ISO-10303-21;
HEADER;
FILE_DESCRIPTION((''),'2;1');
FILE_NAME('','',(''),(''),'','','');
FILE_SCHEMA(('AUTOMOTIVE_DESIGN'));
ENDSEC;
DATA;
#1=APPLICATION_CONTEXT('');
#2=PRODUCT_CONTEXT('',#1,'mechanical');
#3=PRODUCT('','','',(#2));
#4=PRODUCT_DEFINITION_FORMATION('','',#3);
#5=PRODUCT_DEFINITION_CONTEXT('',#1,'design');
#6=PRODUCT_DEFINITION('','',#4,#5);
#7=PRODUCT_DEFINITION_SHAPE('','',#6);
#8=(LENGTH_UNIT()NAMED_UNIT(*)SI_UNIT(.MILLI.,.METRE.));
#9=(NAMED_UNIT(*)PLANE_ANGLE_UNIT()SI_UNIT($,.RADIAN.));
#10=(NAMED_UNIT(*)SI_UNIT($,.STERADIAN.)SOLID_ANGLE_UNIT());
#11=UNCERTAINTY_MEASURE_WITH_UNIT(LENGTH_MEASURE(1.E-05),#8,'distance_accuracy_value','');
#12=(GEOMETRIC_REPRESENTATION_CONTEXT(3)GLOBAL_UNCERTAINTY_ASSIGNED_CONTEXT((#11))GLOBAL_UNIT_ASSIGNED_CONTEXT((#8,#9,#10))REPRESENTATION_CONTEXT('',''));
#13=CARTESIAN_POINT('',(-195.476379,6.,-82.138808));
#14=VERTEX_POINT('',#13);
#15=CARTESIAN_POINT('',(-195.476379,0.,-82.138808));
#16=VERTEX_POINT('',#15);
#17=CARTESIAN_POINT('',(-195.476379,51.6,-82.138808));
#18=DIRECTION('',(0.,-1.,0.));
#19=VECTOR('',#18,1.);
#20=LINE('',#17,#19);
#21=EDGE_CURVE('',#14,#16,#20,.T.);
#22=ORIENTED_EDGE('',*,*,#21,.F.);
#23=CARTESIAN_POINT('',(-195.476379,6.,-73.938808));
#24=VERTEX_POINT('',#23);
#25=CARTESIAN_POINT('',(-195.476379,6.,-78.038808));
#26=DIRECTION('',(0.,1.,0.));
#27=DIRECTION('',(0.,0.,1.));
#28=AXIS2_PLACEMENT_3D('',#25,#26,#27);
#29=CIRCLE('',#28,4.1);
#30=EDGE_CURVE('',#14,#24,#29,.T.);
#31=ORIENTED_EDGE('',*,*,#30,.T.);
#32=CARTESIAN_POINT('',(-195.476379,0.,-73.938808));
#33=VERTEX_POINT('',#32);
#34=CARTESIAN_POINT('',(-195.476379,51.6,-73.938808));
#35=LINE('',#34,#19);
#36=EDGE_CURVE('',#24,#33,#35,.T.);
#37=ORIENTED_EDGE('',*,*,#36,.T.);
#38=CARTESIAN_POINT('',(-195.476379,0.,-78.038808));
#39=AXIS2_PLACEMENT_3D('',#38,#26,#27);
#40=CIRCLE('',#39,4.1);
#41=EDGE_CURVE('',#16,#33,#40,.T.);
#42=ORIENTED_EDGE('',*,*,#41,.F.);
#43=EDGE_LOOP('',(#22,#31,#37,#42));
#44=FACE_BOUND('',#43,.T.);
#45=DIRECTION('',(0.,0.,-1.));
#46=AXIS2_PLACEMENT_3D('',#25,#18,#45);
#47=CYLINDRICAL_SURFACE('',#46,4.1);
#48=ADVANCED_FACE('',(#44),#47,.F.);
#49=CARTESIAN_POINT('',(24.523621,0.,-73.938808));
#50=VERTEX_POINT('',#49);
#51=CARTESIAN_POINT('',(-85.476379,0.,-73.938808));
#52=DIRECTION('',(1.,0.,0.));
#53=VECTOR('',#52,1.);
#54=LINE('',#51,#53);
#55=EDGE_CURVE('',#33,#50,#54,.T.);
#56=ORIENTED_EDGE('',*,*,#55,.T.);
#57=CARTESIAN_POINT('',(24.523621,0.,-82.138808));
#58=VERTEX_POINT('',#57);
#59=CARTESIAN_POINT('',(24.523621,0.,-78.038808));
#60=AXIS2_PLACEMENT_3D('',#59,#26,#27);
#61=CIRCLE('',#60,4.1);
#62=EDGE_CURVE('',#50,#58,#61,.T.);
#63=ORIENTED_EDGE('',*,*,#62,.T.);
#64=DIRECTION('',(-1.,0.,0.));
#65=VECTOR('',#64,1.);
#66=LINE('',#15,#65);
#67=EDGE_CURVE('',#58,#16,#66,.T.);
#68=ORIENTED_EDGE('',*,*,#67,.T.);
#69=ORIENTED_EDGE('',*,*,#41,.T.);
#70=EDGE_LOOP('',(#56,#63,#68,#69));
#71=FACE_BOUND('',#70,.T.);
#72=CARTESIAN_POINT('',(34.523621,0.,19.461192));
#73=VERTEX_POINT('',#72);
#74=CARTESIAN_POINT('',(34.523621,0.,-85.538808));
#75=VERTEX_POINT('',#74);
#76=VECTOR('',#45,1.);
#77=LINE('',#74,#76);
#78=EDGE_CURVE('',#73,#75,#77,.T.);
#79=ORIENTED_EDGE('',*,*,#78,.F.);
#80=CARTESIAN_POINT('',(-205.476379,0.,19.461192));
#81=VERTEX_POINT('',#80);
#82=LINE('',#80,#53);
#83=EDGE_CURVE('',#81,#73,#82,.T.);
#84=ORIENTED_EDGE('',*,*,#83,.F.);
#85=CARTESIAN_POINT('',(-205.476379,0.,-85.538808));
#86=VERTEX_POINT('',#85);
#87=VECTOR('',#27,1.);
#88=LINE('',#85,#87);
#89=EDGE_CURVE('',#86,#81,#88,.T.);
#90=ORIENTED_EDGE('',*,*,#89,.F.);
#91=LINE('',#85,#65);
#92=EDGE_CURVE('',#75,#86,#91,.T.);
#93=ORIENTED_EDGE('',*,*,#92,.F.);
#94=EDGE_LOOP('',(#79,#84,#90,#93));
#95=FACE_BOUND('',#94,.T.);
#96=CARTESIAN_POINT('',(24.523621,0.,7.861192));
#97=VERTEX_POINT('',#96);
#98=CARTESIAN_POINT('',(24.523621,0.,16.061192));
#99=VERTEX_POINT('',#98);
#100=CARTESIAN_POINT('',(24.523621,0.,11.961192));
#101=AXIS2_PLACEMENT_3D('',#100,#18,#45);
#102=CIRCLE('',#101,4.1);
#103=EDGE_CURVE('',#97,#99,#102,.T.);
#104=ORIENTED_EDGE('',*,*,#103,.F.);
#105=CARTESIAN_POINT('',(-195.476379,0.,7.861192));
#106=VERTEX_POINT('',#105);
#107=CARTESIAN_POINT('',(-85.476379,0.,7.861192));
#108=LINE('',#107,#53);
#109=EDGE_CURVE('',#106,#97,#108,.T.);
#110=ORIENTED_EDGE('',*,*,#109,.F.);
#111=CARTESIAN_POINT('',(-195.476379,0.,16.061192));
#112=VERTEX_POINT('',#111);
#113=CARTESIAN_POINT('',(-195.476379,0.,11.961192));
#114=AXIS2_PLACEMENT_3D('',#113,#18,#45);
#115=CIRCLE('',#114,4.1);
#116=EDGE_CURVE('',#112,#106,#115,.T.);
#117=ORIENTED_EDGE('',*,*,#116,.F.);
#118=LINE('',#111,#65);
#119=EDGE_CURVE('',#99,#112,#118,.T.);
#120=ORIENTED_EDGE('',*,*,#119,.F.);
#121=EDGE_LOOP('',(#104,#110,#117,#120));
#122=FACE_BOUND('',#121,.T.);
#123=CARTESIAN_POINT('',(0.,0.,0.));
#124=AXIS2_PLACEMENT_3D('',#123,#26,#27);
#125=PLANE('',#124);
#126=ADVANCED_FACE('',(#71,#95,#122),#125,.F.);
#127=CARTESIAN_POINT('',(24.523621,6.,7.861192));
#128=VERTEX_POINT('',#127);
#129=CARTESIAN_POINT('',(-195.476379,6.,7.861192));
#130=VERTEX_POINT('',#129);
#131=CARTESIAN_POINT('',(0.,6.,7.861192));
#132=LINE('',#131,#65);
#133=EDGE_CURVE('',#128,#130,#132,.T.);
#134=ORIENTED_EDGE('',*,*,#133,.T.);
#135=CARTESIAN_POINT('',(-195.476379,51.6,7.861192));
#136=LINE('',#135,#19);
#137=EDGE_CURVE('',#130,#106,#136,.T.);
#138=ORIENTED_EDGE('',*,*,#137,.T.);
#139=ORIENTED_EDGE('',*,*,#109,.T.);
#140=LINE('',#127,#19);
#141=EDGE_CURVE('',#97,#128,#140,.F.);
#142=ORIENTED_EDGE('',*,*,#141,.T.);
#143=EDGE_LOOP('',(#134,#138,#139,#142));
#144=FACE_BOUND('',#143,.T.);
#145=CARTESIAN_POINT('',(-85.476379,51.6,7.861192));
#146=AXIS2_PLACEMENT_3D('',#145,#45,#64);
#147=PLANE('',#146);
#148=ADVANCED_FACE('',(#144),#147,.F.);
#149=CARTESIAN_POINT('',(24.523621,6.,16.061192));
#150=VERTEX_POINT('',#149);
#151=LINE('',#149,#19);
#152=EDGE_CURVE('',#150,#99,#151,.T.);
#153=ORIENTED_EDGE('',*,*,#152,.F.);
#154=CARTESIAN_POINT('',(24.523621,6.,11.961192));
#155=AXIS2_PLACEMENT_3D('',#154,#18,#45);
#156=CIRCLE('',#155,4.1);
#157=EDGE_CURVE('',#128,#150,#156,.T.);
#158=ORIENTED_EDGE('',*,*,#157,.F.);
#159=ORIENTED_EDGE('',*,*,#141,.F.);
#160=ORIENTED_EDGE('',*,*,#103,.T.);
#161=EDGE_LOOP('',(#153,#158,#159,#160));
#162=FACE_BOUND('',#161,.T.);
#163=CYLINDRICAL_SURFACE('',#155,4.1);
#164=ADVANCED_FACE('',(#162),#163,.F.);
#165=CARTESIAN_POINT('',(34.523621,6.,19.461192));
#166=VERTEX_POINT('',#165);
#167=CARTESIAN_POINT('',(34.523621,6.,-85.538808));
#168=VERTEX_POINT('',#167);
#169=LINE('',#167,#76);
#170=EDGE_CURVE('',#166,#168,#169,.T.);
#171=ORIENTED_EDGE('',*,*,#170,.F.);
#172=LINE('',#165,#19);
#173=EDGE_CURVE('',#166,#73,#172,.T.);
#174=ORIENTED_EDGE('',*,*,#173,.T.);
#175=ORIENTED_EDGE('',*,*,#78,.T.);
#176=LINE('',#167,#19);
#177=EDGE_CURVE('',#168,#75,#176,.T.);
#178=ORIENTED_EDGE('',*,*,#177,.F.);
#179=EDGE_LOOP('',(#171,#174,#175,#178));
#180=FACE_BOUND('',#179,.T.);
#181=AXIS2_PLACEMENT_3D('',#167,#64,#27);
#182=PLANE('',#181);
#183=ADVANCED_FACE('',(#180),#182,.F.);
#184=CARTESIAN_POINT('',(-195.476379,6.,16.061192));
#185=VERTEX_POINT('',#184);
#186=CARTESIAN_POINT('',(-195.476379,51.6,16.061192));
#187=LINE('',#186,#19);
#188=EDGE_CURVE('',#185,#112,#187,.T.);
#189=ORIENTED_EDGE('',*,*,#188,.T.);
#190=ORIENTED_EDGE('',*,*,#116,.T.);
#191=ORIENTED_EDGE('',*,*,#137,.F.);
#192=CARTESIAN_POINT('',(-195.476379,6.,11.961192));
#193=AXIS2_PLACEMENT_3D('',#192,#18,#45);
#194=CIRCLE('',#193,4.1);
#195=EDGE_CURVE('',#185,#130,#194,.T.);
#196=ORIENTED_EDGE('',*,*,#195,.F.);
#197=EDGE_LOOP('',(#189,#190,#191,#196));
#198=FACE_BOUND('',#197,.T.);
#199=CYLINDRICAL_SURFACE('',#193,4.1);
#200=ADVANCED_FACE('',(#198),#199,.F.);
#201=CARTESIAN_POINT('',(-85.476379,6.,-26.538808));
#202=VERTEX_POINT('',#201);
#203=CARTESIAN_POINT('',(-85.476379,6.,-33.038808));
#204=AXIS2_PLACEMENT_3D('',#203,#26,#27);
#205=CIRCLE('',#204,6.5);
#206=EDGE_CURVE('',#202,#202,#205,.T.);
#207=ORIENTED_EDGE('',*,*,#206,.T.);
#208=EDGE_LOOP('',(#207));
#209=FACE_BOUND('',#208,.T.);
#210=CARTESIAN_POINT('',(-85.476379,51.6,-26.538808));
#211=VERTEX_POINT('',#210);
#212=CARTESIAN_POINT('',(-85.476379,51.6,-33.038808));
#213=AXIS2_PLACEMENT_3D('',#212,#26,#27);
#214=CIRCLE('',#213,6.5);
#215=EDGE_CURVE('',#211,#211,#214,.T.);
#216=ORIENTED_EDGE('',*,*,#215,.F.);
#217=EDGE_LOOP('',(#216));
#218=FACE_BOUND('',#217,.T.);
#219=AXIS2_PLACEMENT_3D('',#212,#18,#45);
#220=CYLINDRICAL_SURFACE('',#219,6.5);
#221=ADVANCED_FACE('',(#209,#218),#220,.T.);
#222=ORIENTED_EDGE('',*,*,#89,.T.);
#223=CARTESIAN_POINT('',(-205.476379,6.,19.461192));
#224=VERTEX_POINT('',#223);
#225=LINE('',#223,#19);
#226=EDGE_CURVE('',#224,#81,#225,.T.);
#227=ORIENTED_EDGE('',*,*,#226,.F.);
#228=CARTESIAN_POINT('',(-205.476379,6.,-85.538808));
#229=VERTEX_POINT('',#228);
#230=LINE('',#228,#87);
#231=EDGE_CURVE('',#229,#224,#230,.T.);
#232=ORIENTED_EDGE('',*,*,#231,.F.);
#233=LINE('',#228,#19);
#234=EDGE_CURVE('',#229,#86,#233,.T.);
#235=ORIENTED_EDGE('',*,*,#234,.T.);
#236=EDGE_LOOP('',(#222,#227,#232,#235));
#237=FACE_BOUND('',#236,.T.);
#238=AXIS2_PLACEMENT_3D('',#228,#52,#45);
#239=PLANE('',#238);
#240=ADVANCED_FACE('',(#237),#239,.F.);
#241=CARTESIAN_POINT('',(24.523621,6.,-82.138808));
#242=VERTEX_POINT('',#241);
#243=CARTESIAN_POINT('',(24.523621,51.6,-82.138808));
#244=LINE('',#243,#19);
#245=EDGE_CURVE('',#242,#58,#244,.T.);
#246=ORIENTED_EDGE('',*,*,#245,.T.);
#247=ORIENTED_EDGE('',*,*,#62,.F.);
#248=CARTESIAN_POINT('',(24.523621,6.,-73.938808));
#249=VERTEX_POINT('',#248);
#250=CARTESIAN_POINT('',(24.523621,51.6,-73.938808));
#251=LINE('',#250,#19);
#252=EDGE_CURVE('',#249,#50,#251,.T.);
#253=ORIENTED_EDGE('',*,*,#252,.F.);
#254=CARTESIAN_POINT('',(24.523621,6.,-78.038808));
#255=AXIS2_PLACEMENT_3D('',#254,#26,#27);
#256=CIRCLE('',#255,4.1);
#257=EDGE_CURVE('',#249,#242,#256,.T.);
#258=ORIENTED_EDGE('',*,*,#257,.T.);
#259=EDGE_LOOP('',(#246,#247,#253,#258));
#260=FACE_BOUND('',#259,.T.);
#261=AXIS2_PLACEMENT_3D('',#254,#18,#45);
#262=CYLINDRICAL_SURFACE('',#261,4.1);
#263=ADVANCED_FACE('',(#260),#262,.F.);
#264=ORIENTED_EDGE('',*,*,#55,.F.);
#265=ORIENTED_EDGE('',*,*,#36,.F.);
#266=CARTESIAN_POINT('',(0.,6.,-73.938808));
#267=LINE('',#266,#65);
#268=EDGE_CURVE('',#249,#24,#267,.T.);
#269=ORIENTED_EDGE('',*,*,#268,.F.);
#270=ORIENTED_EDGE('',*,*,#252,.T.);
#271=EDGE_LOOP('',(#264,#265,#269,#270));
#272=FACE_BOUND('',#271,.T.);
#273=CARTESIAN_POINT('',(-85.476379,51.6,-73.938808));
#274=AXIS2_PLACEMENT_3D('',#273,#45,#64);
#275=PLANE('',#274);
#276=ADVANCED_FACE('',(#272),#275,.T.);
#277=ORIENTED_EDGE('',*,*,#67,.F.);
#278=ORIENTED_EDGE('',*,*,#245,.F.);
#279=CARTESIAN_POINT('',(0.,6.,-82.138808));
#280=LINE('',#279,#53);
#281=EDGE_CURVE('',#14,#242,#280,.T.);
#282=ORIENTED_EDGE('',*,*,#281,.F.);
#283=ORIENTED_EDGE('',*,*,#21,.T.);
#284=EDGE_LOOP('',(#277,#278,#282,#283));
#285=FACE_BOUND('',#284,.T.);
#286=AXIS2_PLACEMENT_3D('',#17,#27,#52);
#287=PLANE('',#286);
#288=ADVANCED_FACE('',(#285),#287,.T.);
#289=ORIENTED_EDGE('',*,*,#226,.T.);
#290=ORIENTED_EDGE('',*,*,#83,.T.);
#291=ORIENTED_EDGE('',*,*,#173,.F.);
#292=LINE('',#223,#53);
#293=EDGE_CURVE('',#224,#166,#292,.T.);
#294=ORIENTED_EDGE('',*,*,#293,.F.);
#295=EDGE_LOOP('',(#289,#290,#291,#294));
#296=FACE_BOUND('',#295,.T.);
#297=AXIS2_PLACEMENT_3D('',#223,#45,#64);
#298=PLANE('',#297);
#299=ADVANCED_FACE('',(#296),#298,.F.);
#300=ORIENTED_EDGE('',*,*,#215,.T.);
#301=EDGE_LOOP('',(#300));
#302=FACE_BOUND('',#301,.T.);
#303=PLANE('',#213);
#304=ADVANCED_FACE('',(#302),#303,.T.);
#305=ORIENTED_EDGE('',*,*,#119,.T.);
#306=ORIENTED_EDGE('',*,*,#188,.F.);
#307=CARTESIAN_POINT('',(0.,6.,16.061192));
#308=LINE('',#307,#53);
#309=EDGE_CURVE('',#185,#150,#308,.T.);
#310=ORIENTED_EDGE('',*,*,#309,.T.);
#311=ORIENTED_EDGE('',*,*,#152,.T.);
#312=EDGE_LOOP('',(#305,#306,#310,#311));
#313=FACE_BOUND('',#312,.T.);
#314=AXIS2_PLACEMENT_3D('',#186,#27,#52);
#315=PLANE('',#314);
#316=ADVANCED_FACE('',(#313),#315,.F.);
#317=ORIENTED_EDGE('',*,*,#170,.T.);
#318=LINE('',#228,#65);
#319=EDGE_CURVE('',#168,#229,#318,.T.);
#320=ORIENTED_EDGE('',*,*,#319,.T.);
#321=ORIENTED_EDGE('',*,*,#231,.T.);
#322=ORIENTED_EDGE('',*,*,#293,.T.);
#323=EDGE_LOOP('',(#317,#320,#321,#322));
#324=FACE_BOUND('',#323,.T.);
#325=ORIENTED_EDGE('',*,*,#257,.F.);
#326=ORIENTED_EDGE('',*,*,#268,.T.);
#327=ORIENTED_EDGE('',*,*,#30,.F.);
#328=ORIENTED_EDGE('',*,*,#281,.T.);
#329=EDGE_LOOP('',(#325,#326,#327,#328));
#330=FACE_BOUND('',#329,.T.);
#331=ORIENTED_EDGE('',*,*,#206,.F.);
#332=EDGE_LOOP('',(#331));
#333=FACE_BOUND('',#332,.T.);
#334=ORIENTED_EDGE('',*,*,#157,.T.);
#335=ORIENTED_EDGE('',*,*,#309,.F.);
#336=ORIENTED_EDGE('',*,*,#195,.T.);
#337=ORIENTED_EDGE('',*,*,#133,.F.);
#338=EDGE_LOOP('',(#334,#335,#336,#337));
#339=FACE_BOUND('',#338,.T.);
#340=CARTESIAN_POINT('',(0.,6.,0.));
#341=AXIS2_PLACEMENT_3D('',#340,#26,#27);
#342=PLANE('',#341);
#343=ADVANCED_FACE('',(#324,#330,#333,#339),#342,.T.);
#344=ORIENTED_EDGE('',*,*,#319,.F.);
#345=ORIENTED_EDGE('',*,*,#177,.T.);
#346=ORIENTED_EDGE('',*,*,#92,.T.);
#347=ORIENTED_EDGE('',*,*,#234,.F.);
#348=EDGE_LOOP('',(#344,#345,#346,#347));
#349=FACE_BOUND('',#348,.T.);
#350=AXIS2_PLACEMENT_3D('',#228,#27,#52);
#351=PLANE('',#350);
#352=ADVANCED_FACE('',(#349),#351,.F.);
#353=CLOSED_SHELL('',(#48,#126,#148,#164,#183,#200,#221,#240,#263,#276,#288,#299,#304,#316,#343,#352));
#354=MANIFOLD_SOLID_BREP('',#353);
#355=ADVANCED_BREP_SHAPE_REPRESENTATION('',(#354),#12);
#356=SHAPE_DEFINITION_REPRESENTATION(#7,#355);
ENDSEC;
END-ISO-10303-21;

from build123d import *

# Parameters (mm, degrees)
SKETCH_2_W                       = 240
SKETCH_2_H                       = 105
EXTRUDE_1_DEPTH                  = 6
SKETCH_22_R                      = 4.1
CUT_EXTRUDE_3_DEPTH              = 223.650914893
PATTERN_LINEAR_2_COUNT           = 5
PATTERN_LINEAR_2_PITCH           = 55
PATTERN_LINEAR_3_COPY_1_SKETCH_R = 4.1
PATTERN_LINEAR_3_COPY_1_DEPTH    = 223.650914893
PATTERN_LINEAR_3_COPY_2_SKETCH_R = 4.1
PATTERN_LINEAR_3_COPY_2_DEPTH    = 223.650914893
PATTERN_LINEAR_3_COPY_3_SKETCH_R = 4.1
PATTERN_LINEAR_3_COPY_3_DEPTH    = 223.650914893
PATTERN_LINEAR_3_COPY_4_SKETCH_R = 4.1
PATTERN_LINEAR_3_COPY_4_DEPTH    = 223.650914893
PATTERN_LINEAR_3_COPY_5_SKETCH_R = 4.1
PATTERN_LINEAR_3_COPY_5_DEPTH    = 223.650914893
PATTERN_LINEAR_3_COPY_6_SKETCH_R = 4.1
PATTERN_LINEAR_3_COPY_6_DEPTH    = 223.650914893
PATTERN_LINEAR_3_COPY_7_SKETCH_R = 4.1
PATTERN_LINEAR_3_COPY_7_DEPTH    = 223.650914893
PATTERN_LINEAR_3_COPY_8_SKETCH_R = 4.1
PATTERN_LINEAR_3_COPY_8_DEPTH    = 223.650914893
SKETCH_18_R                      = 6.5
EXTRUDE_5_DEPTH                  = 45.6
SKETCH_25_W                      = 110
SKETCH_25_H                      = 8.2
CUT_EXTRUDE_4_DEPTH              = 229.473171078
MIRROR_27_COPY_1_SKETCH_W        = 110
MIRROR_27_COPY_1_SKETCH_H        = 8.2
MIRROR_27_COPY_1_DEPTH           = 229.473171078
MIRROR_27_COPY_2_SKETCH_W        = 110
MIRROR_27_COPY_2_SKETCH_H        = 8.2
MIRROR_27_COPY_2_DEPTH           = 229.473171078


with BuildPart() as part:
    # 草图2 → 凸台-拉伸1 (new body)
    with BuildSketch(Plane(origin=(0, 0, 0), x_dir=(1, 0, 0), z_dir=(0, 1, 0))):
        with Locations((-85.476378725, 33.038808084)):
            Rectangle(SKETCH_2_W, SKETCH_2_H)
    extrude(amount=EXTRUDE_1_DEPTH)

    # 草图22 → 切除-拉伸3 (cut, through all)
    with BuildSketch(Plane(origin=(0, 0, 0), x_dir=(1, 0, 0), z_dir=(0, 1, 0))):
        with Locations(Location((-195.476378725, 78.038808084, 0), (0, 0, 270))):
            Circle(SKETCH_22_R)
    cut_extrude_3 = extrude(amount=CUT_EXTRUDE_3_DEPTH, mode=Mode.SUBTRACT)

    # 镜向18: 切除-拉伸3 across plane
    add(cut_extrude_3.mirror(Plane.XY.offset(-33.038808084)), mode=Mode.SUBTRACT)

    # 阵列(线性)2: 切除-拉伸3 ×5
    with Locations(*[(i * PATTERN_LINEAR_2_PITCH, 0, 0) for i in range(1, PATTERN_LINEAR_2_COUNT)]):
        add(cut_extrude_3, mode=Mode.SUBTRACT)

    # 阵列(线性)3 copy 1 sketch → 阵列(线性)3 copy 1 (cut, through all)
    with BuildSketch(Plane(origin=(55, 0, -66.077616169), x_dir=(1, 0, 0), z_dir=(0, 1, 0))):
        with Locations((-195.476378725, -78.038808084)):
            Circle(PATTERN_LINEAR_3_COPY_1_SKETCH_R)
    extrude(amount=PATTERN_LINEAR_3_COPY_1_DEPTH, mode=Mode.SUBTRACT)

    # 阵列(线性)3 copy 2 sketch → 阵列(线性)3 copy 2 (cut, through all)
    with BuildSketch(Plane(origin=(110, 0, -66.077616169), x_dir=(1, 0, 0), z_dir=(0, 1, 0))):
        with Locations((-195.476378725, -78.038808084)):
            Circle(PATTERN_LINEAR_3_COPY_2_SKETCH_R)
    extrude(amount=PATTERN_LINEAR_3_COPY_2_DEPTH, mode=Mode.SUBTRACT)

    # 阵列(线性)3 copy 3 sketch → 阵列(线性)3 copy 3 (cut, through all)
    with BuildSketch(Plane(origin=(165, 0, -66.077616169), x_dir=(1, 0, 0), z_dir=(0, 1, 0))):
        with Locations((-195.476378725, -78.038808084)):
            Circle(PATTERN_LINEAR_3_COPY_3_SKETCH_R)
    extrude(amount=PATTERN_LINEAR_3_COPY_3_DEPTH, mode=Mode.SUBTRACT)

    # 阵列(线性)3 copy 4 sketch → 阵列(线性)3 copy 4 (cut, through all)
    with BuildSketch(Plane(origin=(220, 0, -66.077616169), x_dir=(1, 0, 0), z_dir=(0, 1, 0))):
        with Locations((-195.476378725, -78.038808084)):
            Circle(PATTERN_LINEAR_3_COPY_4_SKETCH_R)
    extrude(amount=PATTERN_LINEAR_3_COPY_4_DEPTH, mode=Mode.SUBTRACT)

    # 阵列(线性)3 copy 5 sketch → 阵列(线性)3 copy 5 (cut, through all)
    with BuildSketch(Plane(origin=(55, 0, 0), x_dir=(1, 0, 0), z_dir=(0, 1, 0))):
        with Locations(Location((-195.476378725, 78.038808084, 0), (0, 0, 270))):
            Circle(PATTERN_LINEAR_3_COPY_5_SKETCH_R)
    extrude(amount=PATTERN_LINEAR_3_COPY_5_DEPTH, mode=Mode.SUBTRACT)

    # 阵列(线性)3 copy 6 sketch → 阵列(线性)3 copy 6 (cut, through all)
    with BuildSketch(Plane(origin=(110, 0, 0), x_dir=(1, 0, 0), z_dir=(0, 1, 0))):
        with Locations(Location((-195.476378725, 78.038808084, 0), (0, 0, 270))):
            Circle(PATTERN_LINEAR_3_COPY_6_SKETCH_R)
    extrude(amount=PATTERN_LINEAR_3_COPY_6_DEPTH, mode=Mode.SUBTRACT)

    # 阵列(线性)3 copy 7 sketch → 阵列(线性)3 copy 7 (cut, through all)
    with BuildSketch(Plane(origin=(165, 0, 0), x_dir=(1, 0, 0), z_dir=(0, 1, 0))):
        with Locations(Location((-195.476378725, 78.038808084, 0), (0, 0, 270))):
            Circle(PATTERN_LINEAR_3_COPY_7_SKETCH_R)
    extrude(amount=PATTERN_LINEAR_3_COPY_7_DEPTH, mode=Mode.SUBTRACT)

    # 阵列(线性)3 copy 8 sketch → 阵列(线性)3 copy 8 (cut, through all)
    with BuildSketch(Plane(origin=(220, 0, 0), x_dir=(1, 0, 0), z_dir=(0, 1, 0))):
        with Locations(Location((-195.476378725, 78.038808084, 0), (0, 0, 270))):
            Circle(PATTERN_LINEAR_3_COPY_8_SKETCH_R)
    extrude(amount=PATTERN_LINEAR_3_COPY_8_DEPTH, mode=Mode.SUBTRACT)

    # 草图18 → 凸台-拉伸5 (add)
    with BuildSketch(Plane(origin=(0, 6, 0), x_dir=(1, 0, 0), z_dir=(0, 1, 0))):
        with Locations(Location((-85.476378725, 33.038808084, 0), (0, 0, 270))):
            Circle(SKETCH_18_R)
    extrude(amount=EXTRUDE_5_DEPTH)

    # 草图25 → 切除-拉伸4 (cut, through all)
    with BuildSketch(Plane(origin=(0, 0, 0), x_dir=(1, 0, 0), z_dir=(0, 1, 0))):
        with Locations((-140.476378725, 78.038808084)):
            Rectangle(SKETCH_25_W, SKETCH_25_H)
    cut_extrude_4 = extrude(amount=CUT_EXTRUDE_4_DEPTH, mode=Mode.SUBTRACT)

    # 镜向25: 切除-拉伸4 across plane
    add(cut_extrude_4.mirror(Plane.XY.offset(-33.038808084)), mode=Mode.SUBTRACT)

    # 镜向26: 切除-拉伸4 across plane
    add(cut_extrude_4.mirror(Plane(origin=(-85.476378725, 0, 0), x_dir=(0, 0, 1), z_dir=(1, 0, 0))), mode=Mode.SUBTRACT)

    # 镜向27 copy 1 sketch → 镜向27 copy 1 (cut, through all)
    with BuildSketch(Plane(origin=(-170.95275745, 0, -66.077616169), x_dir=(-1, 0, 0), z_dir=(0, 1, 0))):
        with Locations((-140.476378725, 78.038808084)):
            Rectangle(MIRROR_27_COPY_1_SKETCH_W, MIRROR_27_COPY_1_SKETCH_H)
    extrude(amount=MIRROR_27_COPY_1_DEPTH, mode=Mode.SUBTRACT)

    # 镜向27 copy 2 sketch → 镜向27 copy 2 (cut, through all)
    with BuildSketch(Plane(origin=(-170.95275745, 0, 0), x_dir=(-1, 0, 0), z_dir=(0, 1, 0))):
        with Locations((-140.476378725, -78.038808084)):
            Rectangle(MIRROR_27_COPY_2_SKETCH_W, MIRROR_27_COPY_2_SKETCH_H)
    extrude(amount=MIRROR_27_COPY_2_DEPTH, mode=Mode.SUBTRACT)


solid = part.part
